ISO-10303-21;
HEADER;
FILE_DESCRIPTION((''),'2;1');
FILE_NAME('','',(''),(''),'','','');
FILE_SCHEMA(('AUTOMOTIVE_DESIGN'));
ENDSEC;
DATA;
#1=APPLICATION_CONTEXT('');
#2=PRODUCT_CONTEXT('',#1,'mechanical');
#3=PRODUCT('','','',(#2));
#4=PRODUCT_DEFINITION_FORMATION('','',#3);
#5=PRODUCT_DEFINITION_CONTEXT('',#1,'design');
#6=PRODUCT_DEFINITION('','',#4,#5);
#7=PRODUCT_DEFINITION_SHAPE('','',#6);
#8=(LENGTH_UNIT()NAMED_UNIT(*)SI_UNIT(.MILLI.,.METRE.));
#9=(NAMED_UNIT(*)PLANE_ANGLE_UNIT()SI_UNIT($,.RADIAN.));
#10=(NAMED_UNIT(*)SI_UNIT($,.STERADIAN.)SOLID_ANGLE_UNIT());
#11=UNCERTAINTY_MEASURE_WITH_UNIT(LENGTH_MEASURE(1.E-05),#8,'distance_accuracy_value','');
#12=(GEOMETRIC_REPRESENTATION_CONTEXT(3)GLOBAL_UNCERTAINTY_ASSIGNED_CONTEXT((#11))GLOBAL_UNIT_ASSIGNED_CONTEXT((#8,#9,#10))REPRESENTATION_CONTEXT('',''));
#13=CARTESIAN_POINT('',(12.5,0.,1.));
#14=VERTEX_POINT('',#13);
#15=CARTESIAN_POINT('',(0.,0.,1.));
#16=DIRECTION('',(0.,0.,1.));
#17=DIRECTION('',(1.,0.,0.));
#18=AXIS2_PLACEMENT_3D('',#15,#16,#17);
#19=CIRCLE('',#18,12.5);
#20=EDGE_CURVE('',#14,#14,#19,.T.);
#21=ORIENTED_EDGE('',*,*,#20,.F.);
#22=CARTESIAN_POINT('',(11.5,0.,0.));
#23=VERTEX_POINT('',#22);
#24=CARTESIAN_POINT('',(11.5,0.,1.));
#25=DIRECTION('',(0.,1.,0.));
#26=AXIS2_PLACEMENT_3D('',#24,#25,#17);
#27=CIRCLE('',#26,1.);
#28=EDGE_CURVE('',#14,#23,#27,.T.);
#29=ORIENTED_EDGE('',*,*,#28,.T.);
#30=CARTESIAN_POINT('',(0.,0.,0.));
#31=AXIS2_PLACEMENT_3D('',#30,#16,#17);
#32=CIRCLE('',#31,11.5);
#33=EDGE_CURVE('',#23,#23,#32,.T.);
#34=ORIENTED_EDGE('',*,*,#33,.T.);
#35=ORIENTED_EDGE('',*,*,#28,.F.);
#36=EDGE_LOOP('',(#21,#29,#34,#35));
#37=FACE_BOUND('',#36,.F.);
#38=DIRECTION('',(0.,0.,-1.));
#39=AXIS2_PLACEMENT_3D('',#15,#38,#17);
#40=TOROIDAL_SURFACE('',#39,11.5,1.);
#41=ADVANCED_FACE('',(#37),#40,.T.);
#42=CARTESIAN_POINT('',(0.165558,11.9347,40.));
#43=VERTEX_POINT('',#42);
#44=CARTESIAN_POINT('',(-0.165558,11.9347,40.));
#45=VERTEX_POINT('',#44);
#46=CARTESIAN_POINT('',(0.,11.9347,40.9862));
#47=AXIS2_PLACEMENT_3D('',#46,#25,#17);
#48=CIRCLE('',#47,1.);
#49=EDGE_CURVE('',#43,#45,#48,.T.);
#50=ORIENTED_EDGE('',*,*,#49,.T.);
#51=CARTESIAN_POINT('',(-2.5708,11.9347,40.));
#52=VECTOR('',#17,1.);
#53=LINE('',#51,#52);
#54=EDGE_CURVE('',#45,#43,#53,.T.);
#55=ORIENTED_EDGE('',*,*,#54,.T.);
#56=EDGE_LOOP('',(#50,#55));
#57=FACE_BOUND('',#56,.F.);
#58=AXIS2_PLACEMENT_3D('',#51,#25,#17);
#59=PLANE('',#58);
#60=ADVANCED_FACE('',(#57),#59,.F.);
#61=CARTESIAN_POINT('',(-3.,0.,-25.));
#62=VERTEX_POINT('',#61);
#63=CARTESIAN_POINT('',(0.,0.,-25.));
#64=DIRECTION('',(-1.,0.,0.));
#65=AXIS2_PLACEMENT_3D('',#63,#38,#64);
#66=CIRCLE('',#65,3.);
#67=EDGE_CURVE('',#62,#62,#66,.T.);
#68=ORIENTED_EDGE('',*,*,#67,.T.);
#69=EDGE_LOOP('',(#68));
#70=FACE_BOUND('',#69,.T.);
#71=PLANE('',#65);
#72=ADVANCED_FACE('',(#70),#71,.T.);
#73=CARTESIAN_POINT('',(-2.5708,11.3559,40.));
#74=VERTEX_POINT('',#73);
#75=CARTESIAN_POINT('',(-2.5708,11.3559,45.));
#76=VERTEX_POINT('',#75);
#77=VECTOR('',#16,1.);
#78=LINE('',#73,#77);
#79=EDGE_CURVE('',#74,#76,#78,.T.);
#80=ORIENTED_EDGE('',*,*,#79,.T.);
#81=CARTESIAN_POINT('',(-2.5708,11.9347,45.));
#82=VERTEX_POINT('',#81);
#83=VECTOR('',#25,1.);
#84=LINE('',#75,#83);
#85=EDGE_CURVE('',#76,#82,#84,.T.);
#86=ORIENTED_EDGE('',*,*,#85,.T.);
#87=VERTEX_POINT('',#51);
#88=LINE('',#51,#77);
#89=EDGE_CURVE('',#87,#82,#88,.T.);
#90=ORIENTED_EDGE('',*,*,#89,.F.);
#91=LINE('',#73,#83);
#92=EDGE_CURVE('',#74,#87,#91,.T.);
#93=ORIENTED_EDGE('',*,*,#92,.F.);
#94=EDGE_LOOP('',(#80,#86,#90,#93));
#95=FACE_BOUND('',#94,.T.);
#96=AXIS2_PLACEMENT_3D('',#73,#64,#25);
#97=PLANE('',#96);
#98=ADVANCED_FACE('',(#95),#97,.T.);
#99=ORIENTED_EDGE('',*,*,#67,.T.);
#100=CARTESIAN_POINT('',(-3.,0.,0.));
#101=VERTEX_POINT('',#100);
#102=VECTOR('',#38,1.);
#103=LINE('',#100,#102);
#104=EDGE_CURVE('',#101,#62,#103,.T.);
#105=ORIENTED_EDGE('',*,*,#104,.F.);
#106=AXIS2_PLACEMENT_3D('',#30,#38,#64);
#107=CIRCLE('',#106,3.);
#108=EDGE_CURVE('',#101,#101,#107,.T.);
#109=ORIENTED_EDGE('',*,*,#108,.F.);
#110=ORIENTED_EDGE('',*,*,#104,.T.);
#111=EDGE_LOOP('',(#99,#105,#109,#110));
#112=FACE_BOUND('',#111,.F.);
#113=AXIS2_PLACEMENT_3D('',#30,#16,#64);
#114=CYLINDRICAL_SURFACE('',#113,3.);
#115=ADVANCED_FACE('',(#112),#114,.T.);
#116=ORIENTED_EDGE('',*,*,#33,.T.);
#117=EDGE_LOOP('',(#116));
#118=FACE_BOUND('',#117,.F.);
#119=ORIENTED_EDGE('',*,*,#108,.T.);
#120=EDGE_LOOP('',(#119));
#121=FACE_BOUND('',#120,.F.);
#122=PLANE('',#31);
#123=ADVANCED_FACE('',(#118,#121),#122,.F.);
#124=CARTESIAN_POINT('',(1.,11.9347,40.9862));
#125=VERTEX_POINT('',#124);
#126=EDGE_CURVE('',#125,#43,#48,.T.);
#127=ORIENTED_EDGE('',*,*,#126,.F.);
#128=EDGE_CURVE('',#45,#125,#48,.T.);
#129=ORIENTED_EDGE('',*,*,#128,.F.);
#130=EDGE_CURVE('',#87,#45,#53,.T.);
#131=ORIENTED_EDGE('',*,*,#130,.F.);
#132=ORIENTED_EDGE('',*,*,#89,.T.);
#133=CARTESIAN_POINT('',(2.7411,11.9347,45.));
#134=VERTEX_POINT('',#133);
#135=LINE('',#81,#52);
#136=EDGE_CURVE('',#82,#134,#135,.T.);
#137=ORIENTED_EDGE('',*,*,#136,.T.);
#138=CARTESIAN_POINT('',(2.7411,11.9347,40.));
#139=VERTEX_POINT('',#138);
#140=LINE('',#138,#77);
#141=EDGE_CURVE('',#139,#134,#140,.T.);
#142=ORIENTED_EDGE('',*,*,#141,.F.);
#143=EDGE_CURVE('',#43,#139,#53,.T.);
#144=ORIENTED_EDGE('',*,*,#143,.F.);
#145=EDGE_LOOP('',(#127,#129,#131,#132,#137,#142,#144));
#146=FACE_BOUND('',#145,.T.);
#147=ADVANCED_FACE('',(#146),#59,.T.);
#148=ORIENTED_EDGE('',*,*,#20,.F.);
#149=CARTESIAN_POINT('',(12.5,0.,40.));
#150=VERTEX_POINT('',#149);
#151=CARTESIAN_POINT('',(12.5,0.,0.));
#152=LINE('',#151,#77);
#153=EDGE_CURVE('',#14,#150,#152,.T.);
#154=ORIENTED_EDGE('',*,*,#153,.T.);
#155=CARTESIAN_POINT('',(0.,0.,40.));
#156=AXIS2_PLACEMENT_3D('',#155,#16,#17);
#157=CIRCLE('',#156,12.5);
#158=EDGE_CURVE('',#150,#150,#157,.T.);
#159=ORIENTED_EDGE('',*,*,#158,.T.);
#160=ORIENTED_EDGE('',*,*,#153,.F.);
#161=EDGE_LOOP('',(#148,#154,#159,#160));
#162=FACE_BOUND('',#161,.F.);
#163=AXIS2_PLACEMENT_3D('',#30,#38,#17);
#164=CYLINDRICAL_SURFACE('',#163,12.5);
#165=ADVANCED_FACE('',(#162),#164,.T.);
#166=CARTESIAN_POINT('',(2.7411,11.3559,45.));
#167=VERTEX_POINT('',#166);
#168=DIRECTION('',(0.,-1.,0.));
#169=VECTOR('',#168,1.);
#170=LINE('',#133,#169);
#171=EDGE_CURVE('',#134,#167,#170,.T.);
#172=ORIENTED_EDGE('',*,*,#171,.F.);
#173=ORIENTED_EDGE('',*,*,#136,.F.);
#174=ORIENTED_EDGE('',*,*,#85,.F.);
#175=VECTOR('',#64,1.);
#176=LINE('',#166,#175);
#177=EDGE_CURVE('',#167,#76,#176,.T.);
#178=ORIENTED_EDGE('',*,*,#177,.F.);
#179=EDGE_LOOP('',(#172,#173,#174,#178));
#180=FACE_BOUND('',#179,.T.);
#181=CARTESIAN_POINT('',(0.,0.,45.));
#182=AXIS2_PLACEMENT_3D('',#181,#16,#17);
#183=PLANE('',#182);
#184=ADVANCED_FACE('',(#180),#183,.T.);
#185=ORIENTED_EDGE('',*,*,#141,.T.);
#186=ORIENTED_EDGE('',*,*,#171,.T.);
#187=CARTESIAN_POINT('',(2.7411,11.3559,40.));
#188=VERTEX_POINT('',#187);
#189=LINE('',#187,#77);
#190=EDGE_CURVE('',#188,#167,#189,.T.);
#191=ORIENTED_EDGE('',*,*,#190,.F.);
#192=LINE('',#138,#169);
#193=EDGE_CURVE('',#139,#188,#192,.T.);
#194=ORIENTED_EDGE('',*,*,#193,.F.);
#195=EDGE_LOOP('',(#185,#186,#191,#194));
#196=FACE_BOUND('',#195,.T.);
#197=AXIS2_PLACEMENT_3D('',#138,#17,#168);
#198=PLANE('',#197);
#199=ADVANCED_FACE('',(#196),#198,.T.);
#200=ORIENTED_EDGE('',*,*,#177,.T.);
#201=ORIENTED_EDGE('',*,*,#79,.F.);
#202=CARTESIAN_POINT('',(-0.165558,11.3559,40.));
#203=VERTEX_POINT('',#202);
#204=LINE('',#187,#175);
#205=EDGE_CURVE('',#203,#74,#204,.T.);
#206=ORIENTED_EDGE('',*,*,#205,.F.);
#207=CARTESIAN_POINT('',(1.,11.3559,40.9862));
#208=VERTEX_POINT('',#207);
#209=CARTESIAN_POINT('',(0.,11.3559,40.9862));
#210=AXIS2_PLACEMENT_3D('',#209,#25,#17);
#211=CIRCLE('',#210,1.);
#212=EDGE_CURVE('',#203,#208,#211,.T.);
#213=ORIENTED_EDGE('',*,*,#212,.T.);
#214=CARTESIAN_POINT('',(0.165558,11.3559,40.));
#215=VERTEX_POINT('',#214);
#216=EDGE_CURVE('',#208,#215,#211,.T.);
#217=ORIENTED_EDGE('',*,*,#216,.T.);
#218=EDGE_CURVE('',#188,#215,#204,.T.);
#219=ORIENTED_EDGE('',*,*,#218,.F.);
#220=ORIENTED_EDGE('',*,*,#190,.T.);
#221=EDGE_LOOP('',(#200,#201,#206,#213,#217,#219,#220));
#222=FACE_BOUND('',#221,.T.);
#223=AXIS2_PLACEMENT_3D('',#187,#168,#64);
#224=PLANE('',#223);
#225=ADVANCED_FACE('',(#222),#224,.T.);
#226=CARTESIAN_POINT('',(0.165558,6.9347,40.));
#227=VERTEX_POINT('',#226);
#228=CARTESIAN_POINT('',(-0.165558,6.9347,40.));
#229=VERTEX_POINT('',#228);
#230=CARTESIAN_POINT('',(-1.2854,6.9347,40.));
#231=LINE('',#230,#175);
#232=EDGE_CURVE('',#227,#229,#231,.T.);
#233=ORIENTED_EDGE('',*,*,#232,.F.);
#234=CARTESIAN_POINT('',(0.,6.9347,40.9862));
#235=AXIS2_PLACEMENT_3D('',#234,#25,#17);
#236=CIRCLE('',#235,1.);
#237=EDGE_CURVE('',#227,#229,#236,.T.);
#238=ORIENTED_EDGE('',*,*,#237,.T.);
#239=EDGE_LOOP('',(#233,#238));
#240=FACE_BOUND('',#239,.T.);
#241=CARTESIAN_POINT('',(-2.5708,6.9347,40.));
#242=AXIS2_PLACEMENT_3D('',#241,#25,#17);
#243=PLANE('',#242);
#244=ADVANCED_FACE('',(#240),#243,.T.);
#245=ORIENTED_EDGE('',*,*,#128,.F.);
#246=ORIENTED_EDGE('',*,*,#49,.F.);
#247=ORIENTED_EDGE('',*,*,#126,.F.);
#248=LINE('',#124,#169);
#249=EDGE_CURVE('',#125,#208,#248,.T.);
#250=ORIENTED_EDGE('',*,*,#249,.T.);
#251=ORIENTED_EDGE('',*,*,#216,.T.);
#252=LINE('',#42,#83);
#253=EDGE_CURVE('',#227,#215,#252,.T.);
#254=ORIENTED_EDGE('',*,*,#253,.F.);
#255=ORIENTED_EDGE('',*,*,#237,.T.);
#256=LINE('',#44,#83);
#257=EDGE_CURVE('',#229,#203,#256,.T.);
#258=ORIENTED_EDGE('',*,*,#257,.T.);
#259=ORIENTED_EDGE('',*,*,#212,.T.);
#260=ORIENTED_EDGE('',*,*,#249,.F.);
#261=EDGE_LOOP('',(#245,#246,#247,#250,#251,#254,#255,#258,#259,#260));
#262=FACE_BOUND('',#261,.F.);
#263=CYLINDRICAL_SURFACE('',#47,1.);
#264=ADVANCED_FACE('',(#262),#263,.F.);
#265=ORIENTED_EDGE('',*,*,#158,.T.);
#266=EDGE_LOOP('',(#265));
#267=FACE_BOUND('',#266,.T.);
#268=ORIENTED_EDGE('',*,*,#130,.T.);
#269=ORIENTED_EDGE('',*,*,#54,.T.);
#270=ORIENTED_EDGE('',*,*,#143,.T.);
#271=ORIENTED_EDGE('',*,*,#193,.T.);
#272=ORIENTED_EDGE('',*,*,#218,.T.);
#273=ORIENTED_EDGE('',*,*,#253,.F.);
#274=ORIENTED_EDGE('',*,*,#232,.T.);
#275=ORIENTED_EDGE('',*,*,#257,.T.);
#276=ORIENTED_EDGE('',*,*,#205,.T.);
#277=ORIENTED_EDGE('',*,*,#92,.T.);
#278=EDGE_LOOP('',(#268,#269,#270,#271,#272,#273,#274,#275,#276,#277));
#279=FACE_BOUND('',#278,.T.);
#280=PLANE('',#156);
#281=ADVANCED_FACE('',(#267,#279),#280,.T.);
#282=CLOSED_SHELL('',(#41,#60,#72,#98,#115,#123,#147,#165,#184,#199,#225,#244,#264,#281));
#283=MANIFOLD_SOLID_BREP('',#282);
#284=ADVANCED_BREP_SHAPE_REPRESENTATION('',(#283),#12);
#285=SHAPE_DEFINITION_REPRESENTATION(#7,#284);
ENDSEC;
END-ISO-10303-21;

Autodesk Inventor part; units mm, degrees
ref_plane "YZ Plane" through (0, 0, 0) normal (1, 0, 0) x (0, 1, 0)
ref_plane "XZ Plane" through (0, 0, 0) normal (0, 1, 0) x (-1, 0, 0)
ref_plane "XY Plane" through (0, 0, 0) normal (0, 0, 1) x (1, 0, 0)
sketch "Sketch1" plane through (0, 0, 0) normal (0, 0, 1) x (1, 0, 0)
  circle A0 centre (0, 0) radius 12.5
  dimension "d0" = 25
extrude "Extrusion1" add sketch "Sketch1" along normal blind 40
sketch "Sketch2" plane through (0, 0, 40) normal (0, 0, 1) x (1, 0, 0)
  point P0 (0, 0)
sketch "Sketch3" plane through (0, 0, 40) normal (0, 0, 1) x (1, 0, 0)
  line L0 (-2.5708, 11.9347) -> (2.7411, 11.9347)
  line L1 (2.7411, 11.9347) -> (2.7411, 11.3559)
  line L2 (2.7411, 11.3559) -> (-2.5708, 11.3559)
  line L3 (-2.5708, 11.3559) -> (-2.5708, 11.9347)
  point P0 (0, 0)
extrude "Extrusion2" add sketch "Sketch3" along normal blind 5
sketch "Sketch5" plane through (-2.5708, 11.9347, 40) normal (0, 1, 0) x (1, 0, 0)
  circle A0 centre (2.5708, -0.9862) radius 1
  point P0 (2.5708, 40)
  dimension "d9" = 2
extrude "Extrusion4" cut sketch "Sketch5" against normal blind 5
sketch "Sketch6" plane through (0, 0, 0) normal (0, 0, -1) x (-1, 0, 0)
  circle A0 centre (0, 0) radius 3
extrude "Extrusion5" add sketch "Sketch6" along normal blind 25
fillet "Fillet1" radius 1 1 edges at (-12.5, 0, 0)
sketch "Sketch7" plane through (-2.5708, 11.9347, 45) normal (0, 1, 0) x (1, 0, 0)
  point P0 (2.5708, 45)
properties part number "DC MOTOR" material "Iron, Gray"
